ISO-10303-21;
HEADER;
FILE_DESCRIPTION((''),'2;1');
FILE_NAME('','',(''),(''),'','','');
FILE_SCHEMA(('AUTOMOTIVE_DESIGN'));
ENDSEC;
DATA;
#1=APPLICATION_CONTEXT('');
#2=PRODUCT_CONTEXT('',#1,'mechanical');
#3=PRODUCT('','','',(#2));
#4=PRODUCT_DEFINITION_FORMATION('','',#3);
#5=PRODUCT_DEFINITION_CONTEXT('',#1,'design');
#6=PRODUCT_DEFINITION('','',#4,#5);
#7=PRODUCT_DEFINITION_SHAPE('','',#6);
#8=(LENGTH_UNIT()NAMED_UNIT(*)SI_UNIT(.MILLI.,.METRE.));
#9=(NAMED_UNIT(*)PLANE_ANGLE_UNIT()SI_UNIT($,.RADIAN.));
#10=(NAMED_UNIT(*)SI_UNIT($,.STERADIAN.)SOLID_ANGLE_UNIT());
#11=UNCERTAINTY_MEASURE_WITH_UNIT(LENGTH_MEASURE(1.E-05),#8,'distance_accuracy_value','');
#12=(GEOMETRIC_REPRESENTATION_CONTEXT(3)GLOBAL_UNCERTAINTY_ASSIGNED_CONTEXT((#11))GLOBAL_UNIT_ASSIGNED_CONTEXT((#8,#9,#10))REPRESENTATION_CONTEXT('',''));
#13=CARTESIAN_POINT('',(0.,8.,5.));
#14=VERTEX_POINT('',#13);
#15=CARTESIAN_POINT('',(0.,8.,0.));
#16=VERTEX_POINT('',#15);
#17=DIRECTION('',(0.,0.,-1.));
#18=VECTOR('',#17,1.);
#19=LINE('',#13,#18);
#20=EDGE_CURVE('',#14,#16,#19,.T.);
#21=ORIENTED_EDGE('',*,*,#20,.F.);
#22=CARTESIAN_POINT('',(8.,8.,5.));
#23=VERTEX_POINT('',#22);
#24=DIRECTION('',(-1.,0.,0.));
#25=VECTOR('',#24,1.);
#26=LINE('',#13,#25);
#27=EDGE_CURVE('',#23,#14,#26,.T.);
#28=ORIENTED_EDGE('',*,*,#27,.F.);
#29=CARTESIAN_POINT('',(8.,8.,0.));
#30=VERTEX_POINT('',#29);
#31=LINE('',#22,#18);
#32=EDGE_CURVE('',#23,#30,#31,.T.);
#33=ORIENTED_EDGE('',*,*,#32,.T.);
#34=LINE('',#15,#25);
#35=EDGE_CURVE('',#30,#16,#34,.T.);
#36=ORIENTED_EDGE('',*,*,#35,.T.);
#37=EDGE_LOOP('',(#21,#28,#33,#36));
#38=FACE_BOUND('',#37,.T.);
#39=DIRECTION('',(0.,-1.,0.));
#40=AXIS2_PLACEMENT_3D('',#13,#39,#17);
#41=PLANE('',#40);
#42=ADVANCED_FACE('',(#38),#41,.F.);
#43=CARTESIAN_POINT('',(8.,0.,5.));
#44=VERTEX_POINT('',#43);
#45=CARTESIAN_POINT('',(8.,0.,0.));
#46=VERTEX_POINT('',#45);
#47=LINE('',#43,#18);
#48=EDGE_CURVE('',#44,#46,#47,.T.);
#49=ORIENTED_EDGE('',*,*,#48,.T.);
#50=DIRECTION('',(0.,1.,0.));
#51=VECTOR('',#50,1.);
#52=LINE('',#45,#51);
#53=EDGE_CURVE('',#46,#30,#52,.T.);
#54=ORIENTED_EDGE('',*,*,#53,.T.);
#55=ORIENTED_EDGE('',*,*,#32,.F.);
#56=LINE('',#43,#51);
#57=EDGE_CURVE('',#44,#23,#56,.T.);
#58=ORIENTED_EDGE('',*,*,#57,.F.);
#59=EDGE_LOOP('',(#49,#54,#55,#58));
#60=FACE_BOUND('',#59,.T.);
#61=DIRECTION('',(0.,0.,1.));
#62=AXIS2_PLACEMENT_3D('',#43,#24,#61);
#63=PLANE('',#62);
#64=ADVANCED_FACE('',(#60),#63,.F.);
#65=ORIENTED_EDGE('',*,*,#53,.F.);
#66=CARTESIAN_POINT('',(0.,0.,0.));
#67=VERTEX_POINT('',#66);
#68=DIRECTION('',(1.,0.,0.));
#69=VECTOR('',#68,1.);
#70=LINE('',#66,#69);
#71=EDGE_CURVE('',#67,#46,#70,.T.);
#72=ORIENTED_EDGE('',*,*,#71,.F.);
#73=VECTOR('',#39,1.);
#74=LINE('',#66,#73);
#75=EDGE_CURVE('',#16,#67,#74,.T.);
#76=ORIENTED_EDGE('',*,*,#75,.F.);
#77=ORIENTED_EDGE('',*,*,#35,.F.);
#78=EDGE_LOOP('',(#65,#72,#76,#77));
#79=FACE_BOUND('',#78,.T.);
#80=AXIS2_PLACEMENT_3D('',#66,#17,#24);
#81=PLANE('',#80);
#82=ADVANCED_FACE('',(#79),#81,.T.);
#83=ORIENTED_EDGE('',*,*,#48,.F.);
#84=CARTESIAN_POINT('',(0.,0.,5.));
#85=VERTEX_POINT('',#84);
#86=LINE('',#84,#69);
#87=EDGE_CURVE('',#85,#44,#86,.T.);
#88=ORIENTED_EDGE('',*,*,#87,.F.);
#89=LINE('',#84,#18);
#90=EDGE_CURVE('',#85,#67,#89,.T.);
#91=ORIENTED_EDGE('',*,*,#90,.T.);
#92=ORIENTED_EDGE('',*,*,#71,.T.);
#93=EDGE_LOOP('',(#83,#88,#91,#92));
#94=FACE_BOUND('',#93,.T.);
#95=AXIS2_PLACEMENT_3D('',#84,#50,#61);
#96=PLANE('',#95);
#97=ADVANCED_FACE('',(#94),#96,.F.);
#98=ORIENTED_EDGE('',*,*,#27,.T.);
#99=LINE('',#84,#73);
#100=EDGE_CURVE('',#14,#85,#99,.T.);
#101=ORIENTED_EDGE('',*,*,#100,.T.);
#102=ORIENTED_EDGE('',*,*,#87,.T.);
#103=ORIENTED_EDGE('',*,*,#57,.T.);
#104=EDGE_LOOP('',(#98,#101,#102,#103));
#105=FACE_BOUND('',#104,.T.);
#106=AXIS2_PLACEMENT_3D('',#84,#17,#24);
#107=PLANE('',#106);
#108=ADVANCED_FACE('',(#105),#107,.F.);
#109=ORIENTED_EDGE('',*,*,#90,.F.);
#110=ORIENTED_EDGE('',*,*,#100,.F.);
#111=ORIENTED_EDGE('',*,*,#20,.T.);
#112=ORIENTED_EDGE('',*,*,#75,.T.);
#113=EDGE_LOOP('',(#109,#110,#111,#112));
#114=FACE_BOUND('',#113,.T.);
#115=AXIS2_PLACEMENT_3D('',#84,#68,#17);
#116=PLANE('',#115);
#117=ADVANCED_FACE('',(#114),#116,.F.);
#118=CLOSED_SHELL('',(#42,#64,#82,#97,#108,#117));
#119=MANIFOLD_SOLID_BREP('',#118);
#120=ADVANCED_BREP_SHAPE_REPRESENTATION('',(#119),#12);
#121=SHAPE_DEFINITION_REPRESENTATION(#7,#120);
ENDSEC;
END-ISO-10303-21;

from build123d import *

# Parameters (mm, degrees)
SKETCH1_W     = 8
SKETCH1_H     = 8
PROFILE_DEPTH = 5


with BuildPart() as part:
    # Sketch1 → Profile (new body)
    with BuildSketch(Plane.XY):
        with Locations((4, 4)):
            Rectangle(SKETCH1_W, SKETCH1_H)
    extrude(amount=PROFILE_DEPTH)


solid = part.part
